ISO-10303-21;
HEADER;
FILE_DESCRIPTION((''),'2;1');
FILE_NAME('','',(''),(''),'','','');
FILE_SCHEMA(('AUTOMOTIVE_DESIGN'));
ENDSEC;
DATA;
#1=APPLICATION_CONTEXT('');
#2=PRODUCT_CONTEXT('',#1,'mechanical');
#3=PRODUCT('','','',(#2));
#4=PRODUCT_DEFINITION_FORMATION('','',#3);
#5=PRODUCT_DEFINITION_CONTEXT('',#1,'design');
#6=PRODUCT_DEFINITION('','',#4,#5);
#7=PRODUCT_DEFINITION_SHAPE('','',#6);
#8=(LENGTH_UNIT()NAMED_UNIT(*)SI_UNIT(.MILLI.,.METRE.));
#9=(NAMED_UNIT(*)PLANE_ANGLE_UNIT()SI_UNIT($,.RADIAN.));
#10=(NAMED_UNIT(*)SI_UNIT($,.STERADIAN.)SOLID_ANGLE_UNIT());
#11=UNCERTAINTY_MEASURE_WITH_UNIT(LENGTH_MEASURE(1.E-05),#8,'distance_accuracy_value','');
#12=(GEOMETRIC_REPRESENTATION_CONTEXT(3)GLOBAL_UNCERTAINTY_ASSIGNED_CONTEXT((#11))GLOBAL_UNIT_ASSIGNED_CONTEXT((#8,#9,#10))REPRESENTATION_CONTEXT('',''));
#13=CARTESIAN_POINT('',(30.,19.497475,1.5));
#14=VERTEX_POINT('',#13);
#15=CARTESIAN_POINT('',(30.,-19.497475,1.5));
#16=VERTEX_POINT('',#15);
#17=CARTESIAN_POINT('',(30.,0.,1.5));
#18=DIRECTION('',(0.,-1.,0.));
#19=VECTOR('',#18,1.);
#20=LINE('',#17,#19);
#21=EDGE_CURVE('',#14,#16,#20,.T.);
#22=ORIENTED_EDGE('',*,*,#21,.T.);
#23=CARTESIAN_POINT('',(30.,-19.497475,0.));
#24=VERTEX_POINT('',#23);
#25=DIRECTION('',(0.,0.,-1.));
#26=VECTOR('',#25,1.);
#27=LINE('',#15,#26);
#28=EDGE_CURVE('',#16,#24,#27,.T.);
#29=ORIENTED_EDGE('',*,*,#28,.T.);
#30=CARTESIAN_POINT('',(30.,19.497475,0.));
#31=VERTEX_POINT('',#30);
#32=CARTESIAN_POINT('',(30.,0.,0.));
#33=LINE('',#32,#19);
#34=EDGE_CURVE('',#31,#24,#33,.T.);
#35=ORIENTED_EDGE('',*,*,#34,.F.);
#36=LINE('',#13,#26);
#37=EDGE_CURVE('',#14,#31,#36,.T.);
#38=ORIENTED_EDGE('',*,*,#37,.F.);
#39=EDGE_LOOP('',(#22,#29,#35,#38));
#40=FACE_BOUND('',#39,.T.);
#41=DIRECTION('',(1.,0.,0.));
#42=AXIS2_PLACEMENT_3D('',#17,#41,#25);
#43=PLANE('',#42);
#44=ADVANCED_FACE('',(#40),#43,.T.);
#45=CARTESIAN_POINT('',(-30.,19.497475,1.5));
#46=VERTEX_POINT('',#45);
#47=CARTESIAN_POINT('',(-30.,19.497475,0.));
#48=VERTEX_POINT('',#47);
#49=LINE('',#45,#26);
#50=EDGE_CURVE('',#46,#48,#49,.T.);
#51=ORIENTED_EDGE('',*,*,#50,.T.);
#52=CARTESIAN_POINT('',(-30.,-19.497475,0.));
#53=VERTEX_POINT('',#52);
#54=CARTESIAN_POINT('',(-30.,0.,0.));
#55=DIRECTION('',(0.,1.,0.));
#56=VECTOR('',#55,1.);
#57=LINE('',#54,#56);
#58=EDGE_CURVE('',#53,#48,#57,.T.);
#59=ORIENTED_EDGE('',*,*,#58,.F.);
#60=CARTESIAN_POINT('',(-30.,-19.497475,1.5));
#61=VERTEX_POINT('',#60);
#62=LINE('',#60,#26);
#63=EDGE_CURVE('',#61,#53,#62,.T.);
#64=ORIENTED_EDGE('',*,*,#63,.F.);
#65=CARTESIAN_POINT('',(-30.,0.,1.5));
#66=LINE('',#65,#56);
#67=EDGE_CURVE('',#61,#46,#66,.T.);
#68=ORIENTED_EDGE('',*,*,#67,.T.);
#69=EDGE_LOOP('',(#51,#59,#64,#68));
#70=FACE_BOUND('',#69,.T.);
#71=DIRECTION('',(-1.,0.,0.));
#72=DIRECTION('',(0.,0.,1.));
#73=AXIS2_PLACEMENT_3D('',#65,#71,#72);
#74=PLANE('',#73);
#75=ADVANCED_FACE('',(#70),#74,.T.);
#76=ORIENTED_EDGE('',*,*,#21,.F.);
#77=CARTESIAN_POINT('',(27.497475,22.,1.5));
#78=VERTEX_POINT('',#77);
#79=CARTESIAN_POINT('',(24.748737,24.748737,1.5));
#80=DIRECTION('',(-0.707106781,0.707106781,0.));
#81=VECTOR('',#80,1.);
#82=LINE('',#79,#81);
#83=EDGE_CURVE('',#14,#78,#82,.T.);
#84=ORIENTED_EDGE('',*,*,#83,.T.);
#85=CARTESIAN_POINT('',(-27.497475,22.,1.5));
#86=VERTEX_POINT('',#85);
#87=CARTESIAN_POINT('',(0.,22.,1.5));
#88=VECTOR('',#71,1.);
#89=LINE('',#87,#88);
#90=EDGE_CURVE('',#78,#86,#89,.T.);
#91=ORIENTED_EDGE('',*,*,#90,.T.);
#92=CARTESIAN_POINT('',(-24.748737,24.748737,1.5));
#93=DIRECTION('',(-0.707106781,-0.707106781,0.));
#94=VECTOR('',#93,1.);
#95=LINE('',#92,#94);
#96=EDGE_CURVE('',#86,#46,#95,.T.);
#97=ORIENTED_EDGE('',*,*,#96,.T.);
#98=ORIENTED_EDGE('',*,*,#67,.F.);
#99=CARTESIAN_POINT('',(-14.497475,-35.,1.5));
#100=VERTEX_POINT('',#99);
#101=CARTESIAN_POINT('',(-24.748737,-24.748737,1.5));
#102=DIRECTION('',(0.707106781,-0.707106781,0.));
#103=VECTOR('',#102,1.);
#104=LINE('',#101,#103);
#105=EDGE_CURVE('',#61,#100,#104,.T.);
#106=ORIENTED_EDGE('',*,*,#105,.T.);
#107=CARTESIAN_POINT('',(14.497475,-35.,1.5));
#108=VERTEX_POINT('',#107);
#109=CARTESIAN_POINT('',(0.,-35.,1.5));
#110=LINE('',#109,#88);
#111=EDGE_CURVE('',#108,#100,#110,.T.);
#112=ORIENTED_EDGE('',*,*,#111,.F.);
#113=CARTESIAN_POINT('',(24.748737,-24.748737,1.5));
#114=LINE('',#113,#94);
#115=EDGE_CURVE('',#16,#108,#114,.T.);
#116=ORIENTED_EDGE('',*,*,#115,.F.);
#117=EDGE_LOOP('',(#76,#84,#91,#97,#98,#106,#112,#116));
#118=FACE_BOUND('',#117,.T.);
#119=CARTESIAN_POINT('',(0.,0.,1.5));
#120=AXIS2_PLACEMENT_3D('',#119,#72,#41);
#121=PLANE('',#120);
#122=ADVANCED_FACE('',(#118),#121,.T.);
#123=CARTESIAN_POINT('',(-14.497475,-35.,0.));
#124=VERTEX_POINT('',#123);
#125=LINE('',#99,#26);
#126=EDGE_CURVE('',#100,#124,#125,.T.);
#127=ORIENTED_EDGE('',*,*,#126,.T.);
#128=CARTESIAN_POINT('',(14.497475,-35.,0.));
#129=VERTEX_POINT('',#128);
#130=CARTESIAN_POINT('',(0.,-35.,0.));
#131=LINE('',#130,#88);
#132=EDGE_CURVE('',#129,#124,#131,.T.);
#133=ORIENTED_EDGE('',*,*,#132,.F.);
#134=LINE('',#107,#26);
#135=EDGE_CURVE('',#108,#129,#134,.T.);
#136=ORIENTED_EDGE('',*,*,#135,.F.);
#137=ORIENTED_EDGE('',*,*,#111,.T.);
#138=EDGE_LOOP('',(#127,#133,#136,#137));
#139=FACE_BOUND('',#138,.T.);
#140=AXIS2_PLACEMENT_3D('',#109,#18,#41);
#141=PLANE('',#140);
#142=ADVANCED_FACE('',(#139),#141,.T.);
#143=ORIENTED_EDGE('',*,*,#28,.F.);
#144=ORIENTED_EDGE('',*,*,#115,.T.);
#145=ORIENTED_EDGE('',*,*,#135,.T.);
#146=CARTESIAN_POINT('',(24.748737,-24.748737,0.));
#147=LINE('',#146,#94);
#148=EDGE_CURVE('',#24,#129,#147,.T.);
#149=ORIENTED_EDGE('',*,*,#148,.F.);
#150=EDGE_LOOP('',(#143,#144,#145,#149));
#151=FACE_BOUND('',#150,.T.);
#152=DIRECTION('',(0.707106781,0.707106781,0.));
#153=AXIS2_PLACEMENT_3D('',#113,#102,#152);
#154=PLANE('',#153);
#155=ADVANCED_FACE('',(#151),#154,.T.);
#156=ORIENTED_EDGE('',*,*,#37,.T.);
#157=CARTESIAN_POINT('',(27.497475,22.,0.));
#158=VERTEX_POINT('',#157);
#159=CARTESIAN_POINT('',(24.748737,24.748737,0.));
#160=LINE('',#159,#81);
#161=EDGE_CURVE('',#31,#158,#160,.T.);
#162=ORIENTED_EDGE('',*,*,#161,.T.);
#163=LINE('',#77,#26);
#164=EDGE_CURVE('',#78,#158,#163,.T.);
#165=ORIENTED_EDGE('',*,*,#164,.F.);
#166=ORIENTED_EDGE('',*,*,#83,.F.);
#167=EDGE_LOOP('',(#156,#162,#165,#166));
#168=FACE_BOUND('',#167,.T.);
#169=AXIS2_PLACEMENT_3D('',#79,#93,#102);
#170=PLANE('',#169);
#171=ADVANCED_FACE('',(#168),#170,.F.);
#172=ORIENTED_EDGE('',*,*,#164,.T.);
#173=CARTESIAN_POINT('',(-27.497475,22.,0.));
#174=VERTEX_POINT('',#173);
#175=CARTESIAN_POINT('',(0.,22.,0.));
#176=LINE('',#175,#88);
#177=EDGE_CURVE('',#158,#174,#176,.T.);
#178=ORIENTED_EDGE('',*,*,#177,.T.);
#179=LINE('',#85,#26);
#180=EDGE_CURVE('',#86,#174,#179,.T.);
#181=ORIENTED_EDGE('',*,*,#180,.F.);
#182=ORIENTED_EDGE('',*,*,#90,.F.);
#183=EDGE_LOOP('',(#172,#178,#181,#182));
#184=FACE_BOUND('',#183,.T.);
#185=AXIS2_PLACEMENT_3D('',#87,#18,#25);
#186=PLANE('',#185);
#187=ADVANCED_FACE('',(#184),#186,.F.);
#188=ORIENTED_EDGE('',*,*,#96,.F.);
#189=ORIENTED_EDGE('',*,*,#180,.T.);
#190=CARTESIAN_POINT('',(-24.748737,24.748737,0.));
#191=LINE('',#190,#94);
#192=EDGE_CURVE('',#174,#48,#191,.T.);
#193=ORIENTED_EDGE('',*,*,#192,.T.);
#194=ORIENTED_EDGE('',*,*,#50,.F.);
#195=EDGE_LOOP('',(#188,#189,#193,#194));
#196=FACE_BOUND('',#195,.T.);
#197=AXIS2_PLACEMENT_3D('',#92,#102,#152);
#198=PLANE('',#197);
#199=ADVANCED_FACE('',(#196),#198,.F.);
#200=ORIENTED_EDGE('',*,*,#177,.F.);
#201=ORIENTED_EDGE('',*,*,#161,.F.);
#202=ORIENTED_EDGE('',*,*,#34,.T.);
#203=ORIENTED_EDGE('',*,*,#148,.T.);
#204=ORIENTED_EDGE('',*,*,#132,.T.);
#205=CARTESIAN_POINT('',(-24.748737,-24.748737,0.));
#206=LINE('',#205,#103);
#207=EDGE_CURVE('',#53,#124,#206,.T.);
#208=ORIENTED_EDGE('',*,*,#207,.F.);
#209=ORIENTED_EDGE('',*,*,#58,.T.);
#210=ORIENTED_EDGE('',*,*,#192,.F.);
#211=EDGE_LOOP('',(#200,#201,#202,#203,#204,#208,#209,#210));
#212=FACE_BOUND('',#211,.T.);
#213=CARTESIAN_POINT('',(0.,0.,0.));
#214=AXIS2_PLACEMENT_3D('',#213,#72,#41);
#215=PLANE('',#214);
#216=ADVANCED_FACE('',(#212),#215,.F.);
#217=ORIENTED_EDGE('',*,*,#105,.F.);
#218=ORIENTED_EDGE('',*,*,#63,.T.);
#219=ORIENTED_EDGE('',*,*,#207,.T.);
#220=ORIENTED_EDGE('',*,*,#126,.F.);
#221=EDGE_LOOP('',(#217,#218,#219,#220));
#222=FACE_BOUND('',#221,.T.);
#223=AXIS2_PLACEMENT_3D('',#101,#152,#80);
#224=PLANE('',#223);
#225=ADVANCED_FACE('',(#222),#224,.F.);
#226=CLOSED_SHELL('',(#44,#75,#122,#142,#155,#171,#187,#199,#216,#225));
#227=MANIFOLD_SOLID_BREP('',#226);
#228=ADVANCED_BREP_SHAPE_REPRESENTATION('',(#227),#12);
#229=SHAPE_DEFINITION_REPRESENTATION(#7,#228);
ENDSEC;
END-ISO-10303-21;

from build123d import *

# Parameters (mm, degrees)
BOSS_EXTRUDE1_DEPTH = 1.5


with BuildPart() as part:
    # Sketch1 → Boss-Extrude1 (new body)
    with BuildSketch(Plane.XY):
        Polygon((0, 22), (-27.497474683, 22), (-30, 19.497474683), (-30, 0), (-30, -19.497474683), (-14.497474683, -35), (14.497474683, -35), (30, -19.497474683), (30, 0), (30, 19.497474683), (27.497474683, 22), align=None)
    extrude(amount=BOSS_EXTRUDE1_DEPTH)


solid = part.part
